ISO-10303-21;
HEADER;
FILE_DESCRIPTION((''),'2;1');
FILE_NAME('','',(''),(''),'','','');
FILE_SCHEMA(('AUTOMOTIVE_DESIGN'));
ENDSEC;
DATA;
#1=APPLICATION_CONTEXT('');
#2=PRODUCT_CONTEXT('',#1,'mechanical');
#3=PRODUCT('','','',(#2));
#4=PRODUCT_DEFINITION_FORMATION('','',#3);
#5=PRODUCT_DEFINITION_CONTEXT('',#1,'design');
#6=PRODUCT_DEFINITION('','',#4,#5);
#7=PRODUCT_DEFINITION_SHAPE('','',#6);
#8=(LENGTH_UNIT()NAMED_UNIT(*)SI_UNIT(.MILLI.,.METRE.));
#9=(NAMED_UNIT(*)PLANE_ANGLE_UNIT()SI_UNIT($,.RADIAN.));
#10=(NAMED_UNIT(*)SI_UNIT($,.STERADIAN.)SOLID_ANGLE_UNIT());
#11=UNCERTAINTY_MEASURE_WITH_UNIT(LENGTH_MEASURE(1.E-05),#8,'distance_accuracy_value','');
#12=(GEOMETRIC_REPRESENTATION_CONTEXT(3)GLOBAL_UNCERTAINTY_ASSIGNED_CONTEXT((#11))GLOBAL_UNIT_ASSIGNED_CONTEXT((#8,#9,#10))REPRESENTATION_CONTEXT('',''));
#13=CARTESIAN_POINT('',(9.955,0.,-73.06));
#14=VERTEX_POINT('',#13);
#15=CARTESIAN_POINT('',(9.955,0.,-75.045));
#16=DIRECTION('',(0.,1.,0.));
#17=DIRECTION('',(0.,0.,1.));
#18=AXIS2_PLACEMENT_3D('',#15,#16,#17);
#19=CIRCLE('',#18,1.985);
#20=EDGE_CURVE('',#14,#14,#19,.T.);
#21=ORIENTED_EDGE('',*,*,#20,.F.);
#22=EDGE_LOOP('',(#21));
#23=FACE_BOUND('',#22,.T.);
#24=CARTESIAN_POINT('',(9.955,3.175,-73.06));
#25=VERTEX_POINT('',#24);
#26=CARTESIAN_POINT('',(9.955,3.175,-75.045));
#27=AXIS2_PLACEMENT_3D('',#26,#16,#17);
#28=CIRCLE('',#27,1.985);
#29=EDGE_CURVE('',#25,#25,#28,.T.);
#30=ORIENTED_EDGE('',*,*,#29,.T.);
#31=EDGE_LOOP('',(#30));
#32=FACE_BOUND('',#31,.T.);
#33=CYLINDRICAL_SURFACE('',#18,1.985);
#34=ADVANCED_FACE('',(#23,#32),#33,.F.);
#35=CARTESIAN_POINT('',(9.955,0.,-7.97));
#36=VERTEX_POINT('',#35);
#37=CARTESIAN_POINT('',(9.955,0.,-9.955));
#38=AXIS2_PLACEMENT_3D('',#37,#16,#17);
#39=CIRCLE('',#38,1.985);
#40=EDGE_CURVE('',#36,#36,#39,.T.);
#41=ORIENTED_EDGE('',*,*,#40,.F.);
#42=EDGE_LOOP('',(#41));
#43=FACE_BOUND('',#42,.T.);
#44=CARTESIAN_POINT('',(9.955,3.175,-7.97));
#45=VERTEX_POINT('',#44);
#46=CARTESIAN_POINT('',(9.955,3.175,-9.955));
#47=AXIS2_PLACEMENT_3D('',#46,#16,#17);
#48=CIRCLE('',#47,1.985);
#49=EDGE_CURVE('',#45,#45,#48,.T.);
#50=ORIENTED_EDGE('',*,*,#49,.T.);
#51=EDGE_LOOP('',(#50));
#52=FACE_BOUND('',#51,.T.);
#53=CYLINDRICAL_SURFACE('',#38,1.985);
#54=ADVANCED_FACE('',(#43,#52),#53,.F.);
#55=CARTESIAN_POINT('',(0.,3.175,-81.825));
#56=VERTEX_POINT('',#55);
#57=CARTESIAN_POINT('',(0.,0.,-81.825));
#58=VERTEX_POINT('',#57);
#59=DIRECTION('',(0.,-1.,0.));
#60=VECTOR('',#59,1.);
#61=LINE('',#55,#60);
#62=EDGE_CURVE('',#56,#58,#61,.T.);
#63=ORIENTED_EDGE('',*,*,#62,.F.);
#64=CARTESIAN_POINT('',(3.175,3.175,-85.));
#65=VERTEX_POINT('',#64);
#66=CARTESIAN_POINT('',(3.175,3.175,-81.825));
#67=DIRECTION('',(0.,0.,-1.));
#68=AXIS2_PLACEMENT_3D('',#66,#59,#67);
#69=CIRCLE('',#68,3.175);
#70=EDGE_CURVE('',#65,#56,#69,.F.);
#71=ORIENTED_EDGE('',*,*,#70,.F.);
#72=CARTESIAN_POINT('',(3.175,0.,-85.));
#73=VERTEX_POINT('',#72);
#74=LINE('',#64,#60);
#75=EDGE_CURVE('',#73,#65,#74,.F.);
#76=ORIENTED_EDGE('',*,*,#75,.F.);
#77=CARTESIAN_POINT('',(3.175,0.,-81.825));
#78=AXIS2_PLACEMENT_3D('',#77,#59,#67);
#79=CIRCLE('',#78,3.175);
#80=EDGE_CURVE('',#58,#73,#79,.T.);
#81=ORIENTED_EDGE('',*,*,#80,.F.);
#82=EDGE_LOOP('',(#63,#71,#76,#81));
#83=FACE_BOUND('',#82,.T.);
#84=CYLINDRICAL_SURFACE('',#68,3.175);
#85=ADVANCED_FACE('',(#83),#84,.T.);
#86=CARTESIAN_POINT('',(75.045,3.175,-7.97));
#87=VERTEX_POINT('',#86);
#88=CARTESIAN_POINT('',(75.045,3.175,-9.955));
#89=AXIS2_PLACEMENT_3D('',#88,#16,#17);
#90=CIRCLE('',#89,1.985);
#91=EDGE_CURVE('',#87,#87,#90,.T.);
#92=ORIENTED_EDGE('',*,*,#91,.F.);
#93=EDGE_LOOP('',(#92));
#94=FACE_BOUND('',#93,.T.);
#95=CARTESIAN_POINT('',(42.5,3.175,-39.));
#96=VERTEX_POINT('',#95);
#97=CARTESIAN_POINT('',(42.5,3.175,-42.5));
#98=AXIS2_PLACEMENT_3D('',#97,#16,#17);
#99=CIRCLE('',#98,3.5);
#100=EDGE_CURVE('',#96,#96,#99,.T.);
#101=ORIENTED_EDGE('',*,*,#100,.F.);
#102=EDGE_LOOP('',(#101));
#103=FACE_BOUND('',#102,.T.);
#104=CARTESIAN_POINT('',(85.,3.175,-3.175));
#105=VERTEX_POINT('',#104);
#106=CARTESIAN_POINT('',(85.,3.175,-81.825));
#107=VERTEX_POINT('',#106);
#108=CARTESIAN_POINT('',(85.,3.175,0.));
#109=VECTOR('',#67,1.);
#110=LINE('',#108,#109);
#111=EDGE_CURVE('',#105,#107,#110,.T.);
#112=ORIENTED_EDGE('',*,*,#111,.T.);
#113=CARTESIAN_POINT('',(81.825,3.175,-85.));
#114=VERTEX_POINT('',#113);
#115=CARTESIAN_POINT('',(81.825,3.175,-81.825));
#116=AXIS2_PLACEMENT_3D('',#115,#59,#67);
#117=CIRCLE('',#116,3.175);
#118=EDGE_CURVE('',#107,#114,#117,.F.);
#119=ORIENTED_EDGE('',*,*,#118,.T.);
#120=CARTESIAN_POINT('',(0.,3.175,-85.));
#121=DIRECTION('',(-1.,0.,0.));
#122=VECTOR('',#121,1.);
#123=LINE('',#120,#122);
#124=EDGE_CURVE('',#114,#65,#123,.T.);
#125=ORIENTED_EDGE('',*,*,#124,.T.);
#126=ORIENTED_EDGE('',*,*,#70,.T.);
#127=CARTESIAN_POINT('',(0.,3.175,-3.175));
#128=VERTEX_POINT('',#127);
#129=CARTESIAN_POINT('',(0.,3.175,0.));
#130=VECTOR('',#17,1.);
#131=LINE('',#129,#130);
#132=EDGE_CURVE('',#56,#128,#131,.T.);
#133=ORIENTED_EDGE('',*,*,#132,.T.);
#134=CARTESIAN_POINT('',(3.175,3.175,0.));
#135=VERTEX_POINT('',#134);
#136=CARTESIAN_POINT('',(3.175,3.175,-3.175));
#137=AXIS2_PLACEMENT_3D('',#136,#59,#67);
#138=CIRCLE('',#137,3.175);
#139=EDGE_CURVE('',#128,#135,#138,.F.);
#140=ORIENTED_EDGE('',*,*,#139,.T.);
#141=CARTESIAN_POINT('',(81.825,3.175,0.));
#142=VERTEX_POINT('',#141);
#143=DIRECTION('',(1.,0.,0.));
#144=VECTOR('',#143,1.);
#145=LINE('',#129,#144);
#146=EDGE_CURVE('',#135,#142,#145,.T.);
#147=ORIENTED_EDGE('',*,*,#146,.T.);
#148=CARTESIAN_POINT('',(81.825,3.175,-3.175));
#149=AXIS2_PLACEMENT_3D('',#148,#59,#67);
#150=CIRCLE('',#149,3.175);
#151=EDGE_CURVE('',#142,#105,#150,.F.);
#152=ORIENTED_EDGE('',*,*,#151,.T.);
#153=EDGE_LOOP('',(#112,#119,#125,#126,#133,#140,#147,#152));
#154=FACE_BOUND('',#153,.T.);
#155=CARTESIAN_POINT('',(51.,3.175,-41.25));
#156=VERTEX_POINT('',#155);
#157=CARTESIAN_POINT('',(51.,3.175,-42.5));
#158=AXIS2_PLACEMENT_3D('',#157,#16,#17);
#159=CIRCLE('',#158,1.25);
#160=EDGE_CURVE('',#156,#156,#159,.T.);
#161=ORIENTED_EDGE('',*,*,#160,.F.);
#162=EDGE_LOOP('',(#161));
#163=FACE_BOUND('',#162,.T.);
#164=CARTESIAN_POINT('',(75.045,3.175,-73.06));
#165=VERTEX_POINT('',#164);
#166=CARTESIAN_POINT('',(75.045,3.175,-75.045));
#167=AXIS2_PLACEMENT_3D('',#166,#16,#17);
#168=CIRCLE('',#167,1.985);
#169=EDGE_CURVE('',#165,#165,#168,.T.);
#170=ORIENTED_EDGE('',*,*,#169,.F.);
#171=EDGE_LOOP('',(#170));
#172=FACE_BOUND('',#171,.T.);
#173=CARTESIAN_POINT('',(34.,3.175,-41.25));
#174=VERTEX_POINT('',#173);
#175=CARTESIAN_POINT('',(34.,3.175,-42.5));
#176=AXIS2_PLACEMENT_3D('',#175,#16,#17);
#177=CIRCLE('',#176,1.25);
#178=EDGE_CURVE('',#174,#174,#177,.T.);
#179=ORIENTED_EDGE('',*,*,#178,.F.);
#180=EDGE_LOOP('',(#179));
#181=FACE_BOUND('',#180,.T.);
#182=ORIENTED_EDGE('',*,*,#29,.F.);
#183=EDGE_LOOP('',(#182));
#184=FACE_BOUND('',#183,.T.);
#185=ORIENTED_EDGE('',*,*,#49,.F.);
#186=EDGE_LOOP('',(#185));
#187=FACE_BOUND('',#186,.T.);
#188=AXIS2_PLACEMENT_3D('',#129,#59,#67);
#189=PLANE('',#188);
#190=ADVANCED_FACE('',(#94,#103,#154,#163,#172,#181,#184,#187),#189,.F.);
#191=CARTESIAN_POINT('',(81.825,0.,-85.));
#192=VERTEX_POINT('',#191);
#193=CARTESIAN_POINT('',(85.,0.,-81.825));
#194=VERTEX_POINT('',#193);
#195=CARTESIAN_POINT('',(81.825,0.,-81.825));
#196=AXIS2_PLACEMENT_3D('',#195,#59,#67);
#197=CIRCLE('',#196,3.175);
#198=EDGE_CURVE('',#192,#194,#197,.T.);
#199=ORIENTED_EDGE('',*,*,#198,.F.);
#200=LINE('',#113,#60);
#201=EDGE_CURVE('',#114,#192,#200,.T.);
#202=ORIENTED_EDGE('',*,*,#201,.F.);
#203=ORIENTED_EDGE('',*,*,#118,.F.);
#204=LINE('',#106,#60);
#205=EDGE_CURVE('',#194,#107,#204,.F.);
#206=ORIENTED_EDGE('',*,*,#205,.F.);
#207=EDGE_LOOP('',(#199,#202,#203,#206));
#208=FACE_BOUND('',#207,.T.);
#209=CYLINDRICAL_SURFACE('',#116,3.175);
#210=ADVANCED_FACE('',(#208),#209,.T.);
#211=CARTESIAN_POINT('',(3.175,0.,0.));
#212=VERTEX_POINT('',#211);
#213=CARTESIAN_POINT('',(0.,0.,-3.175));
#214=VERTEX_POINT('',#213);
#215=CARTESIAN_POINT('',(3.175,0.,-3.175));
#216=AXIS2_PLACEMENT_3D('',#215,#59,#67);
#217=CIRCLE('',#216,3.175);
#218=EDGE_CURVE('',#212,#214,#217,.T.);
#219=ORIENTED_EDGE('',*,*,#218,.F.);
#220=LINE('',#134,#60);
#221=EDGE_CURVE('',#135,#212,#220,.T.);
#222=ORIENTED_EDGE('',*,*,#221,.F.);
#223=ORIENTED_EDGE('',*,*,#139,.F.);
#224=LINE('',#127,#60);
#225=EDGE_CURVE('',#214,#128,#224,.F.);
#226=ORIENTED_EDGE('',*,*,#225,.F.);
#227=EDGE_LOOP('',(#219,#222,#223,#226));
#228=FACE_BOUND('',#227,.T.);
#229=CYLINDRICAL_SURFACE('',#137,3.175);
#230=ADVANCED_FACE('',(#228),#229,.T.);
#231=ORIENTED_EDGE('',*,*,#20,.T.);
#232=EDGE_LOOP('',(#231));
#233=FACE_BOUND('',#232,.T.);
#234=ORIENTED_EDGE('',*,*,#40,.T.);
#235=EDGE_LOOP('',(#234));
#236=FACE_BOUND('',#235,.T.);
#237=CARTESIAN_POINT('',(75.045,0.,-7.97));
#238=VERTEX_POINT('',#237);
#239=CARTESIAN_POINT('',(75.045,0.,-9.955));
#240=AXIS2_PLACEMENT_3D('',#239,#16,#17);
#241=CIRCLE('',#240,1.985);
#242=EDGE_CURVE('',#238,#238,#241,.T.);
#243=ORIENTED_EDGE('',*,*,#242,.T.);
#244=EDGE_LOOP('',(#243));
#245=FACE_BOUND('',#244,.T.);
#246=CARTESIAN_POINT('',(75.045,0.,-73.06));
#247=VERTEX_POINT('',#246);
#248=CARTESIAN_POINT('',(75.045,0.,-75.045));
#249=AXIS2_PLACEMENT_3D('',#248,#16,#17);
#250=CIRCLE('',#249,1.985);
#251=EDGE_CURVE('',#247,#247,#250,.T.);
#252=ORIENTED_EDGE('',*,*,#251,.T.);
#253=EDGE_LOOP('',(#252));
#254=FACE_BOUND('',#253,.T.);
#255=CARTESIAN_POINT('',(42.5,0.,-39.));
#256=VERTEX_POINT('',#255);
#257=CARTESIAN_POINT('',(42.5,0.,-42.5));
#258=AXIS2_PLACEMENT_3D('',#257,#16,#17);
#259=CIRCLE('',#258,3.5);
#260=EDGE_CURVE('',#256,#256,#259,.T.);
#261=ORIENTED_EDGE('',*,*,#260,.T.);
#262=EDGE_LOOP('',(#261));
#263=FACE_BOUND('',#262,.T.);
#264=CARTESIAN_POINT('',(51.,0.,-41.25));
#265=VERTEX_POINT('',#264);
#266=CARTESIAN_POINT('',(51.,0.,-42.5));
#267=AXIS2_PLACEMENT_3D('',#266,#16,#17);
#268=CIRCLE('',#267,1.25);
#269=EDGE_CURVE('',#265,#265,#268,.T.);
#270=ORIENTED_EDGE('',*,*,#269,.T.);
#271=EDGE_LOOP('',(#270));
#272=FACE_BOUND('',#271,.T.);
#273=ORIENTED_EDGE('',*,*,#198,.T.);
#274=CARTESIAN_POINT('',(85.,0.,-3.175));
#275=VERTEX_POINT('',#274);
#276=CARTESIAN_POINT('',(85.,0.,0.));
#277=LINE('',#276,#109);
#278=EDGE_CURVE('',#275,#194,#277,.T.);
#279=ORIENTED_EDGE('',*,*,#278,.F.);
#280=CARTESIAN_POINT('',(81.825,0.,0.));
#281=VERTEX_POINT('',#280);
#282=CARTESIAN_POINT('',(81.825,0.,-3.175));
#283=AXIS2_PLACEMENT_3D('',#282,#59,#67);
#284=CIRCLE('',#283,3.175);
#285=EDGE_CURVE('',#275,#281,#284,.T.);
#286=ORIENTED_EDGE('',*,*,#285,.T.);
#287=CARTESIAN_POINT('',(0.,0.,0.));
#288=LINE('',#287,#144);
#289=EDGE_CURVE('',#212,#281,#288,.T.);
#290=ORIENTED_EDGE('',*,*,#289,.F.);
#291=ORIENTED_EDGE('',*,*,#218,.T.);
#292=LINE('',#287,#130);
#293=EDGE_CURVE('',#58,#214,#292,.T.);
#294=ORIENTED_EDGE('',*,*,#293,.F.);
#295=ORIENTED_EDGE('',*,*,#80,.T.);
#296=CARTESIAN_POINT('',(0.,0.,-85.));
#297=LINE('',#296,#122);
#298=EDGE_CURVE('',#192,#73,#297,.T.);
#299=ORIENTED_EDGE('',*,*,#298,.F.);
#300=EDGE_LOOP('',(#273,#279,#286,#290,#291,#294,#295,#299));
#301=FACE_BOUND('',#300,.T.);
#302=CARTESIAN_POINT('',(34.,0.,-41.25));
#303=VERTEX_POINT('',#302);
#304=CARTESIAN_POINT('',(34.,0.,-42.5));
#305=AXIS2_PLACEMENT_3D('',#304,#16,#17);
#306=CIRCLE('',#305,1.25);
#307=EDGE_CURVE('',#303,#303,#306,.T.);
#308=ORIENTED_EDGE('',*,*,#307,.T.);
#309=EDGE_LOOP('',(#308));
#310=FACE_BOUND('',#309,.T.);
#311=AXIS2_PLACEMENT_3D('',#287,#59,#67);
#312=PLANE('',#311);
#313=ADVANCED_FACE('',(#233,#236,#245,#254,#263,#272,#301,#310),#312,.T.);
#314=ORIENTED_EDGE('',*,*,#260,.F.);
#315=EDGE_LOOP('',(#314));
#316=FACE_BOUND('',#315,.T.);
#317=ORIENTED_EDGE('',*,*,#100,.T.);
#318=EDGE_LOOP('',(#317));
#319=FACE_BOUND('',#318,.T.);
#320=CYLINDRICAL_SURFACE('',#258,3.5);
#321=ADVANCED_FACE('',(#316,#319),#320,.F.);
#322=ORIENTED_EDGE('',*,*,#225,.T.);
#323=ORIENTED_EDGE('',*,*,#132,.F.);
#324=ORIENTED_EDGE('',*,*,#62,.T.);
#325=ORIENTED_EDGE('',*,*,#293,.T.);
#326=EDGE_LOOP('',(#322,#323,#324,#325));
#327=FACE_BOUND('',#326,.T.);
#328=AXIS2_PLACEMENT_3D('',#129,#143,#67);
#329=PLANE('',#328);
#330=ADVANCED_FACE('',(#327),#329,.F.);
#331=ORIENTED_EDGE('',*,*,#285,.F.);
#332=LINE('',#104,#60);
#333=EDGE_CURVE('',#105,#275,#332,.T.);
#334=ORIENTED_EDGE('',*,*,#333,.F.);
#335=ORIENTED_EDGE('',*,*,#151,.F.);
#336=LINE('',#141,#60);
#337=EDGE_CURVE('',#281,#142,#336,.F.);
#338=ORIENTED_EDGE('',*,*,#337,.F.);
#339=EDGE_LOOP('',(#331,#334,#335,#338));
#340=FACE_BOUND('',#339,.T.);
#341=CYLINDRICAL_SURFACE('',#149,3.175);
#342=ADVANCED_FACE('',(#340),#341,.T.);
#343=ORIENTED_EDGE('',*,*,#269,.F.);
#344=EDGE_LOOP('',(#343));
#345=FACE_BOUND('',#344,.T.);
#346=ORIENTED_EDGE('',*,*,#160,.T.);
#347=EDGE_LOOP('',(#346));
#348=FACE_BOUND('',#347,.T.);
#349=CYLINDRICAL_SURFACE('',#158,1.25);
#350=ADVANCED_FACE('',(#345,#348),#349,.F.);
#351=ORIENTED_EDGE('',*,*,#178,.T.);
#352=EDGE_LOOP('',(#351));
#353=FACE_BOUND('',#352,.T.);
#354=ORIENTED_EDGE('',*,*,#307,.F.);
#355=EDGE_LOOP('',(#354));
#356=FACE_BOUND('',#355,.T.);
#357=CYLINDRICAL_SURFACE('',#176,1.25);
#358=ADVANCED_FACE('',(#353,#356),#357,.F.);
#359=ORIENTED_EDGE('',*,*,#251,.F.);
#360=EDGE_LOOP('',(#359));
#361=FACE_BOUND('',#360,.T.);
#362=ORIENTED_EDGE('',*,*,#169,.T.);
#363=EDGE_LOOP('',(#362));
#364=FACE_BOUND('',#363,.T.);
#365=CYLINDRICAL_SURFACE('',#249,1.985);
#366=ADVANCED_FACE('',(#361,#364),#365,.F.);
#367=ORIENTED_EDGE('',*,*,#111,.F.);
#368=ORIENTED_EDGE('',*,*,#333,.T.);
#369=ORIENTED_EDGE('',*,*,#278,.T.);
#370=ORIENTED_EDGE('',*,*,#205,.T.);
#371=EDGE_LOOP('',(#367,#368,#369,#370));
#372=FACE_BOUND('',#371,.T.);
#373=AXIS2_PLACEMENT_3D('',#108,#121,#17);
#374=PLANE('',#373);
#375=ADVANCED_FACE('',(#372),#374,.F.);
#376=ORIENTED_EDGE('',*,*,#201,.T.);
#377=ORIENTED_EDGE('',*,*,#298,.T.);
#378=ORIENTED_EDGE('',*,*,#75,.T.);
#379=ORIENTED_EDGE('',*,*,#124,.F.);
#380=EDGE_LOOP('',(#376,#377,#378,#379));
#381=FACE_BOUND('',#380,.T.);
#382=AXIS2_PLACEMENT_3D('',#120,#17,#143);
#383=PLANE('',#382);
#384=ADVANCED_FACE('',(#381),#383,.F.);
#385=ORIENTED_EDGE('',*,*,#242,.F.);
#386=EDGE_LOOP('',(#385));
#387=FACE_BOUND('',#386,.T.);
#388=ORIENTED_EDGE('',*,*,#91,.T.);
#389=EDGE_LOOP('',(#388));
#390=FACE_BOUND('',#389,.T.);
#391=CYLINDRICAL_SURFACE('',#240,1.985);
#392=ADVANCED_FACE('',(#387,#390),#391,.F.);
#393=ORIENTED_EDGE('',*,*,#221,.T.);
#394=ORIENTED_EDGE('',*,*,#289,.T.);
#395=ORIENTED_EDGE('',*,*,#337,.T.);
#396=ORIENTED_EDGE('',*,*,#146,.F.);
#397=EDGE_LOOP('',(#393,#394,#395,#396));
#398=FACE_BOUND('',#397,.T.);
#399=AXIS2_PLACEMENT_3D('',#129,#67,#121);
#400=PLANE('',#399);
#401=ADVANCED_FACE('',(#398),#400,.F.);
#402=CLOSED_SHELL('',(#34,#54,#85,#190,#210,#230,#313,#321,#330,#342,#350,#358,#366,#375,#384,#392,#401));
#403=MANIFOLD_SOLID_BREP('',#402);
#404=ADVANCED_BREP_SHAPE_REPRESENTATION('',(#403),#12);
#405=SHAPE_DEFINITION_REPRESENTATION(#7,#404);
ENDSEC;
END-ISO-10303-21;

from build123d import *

# Parameters (mm, degrees)
SKETCH1_W             = 85
SKETCH1_H             = 85
BOSS_EXTRUDE1_DEPTH   = 3.175
SKETCH2_R             = 1.985
CUT_EXTRUDE1_DEPTH    = 121.250075364
LPATTERN1_COUNT       = 2
LPATTERN1_PITCH       = 65.09
LPATTERN1_COUNT_DIR2  = 2
LPATTERN1_PITCH_DIR2  = 65.09
FILLET1_R             = 3.175
SKETCH3_R             = 3.5
CUT_EXTRUDE2_DEPTH    = 121.250075364
M3X0_5_TAPPED_HOLE1_D = 2.5


with BuildPart() as part:
    # Sketch1 → Boss-Extrude1 (new body)
    with BuildSketch(Plane(origin=(0, 0, 0), x_dir=(1, 0, 0), z_dir=(0, 1, 0))):
        with Locations((42.5, 42.5)):
            Rectangle(SKETCH1_W, SKETCH1_H)
    extrude(amount=BOSS_EXTRUDE1_DEPTH)

    # Sketch2 → Cut-Extrude1 (cut, through all)
    with BuildSketch(Plane(origin=(0, 3.175, 0), x_dir=(1, 0, 0), z_dir=(0, 1, 0))):
        with Locations(Location((9.955, 75.045, 0), (0, 0, 270))):
            Circle(SKETCH2_R)
    cut_extrude1 = extrude(amount=-CUT_EXTRUDE1_DEPTH, mode=Mode.SUBTRACT)

    # LPattern1: Cut-Extrude1 2 × 2
    with Locations(*[(j * LPATTERN1_PITCH_DIR2, 0, i * LPATTERN1_PITCH) for i in range(LPATTERN1_COUNT) for j in range(LPATTERN1_COUNT_DIR2) if (i, j) != (0, 0)]):
        add(cut_extrude1, mode=Mode.SUBTRACT)

    # Fillet1
    fillet1_edges = [part.edges().sort_by_distance(p)[0] for p in [
        (0, 1.5875, -85),
        (85, 1.5875, -85),
        (85, 1.5875, 0),
        (0, 1.5875, 0),
    ]]
    fillet(fillet1_edges, radius=FILLET1_R)

    # Sketch3 → Cut-Extrude2 (cut, through all)
    with BuildSketch(Plane(origin=(0, 3.175, 0), x_dir=(1, 0, 0), z_dir=(0, 1, 0))):
        with Locations(Location((42.5, 42.5, 0), (0, 0, 270))):
            Circle(SKETCH3_R)
    extrude(amount=-CUT_EXTRUDE2_DEPTH, mode=Mode.SUBTRACT)

    # M3x0.5 Tapped Hole1 (through all)
    with Locations(Plane(origin=(0, 3.175, 0), x_dir=(1, 0, 0), z_dir=(0, 1, 0))):
        with Locations((34, 42.5), (51, 42.5)):
            Hole(M3X0_5_TAPPED_HOLE1_D / 2)


solid = part.part
